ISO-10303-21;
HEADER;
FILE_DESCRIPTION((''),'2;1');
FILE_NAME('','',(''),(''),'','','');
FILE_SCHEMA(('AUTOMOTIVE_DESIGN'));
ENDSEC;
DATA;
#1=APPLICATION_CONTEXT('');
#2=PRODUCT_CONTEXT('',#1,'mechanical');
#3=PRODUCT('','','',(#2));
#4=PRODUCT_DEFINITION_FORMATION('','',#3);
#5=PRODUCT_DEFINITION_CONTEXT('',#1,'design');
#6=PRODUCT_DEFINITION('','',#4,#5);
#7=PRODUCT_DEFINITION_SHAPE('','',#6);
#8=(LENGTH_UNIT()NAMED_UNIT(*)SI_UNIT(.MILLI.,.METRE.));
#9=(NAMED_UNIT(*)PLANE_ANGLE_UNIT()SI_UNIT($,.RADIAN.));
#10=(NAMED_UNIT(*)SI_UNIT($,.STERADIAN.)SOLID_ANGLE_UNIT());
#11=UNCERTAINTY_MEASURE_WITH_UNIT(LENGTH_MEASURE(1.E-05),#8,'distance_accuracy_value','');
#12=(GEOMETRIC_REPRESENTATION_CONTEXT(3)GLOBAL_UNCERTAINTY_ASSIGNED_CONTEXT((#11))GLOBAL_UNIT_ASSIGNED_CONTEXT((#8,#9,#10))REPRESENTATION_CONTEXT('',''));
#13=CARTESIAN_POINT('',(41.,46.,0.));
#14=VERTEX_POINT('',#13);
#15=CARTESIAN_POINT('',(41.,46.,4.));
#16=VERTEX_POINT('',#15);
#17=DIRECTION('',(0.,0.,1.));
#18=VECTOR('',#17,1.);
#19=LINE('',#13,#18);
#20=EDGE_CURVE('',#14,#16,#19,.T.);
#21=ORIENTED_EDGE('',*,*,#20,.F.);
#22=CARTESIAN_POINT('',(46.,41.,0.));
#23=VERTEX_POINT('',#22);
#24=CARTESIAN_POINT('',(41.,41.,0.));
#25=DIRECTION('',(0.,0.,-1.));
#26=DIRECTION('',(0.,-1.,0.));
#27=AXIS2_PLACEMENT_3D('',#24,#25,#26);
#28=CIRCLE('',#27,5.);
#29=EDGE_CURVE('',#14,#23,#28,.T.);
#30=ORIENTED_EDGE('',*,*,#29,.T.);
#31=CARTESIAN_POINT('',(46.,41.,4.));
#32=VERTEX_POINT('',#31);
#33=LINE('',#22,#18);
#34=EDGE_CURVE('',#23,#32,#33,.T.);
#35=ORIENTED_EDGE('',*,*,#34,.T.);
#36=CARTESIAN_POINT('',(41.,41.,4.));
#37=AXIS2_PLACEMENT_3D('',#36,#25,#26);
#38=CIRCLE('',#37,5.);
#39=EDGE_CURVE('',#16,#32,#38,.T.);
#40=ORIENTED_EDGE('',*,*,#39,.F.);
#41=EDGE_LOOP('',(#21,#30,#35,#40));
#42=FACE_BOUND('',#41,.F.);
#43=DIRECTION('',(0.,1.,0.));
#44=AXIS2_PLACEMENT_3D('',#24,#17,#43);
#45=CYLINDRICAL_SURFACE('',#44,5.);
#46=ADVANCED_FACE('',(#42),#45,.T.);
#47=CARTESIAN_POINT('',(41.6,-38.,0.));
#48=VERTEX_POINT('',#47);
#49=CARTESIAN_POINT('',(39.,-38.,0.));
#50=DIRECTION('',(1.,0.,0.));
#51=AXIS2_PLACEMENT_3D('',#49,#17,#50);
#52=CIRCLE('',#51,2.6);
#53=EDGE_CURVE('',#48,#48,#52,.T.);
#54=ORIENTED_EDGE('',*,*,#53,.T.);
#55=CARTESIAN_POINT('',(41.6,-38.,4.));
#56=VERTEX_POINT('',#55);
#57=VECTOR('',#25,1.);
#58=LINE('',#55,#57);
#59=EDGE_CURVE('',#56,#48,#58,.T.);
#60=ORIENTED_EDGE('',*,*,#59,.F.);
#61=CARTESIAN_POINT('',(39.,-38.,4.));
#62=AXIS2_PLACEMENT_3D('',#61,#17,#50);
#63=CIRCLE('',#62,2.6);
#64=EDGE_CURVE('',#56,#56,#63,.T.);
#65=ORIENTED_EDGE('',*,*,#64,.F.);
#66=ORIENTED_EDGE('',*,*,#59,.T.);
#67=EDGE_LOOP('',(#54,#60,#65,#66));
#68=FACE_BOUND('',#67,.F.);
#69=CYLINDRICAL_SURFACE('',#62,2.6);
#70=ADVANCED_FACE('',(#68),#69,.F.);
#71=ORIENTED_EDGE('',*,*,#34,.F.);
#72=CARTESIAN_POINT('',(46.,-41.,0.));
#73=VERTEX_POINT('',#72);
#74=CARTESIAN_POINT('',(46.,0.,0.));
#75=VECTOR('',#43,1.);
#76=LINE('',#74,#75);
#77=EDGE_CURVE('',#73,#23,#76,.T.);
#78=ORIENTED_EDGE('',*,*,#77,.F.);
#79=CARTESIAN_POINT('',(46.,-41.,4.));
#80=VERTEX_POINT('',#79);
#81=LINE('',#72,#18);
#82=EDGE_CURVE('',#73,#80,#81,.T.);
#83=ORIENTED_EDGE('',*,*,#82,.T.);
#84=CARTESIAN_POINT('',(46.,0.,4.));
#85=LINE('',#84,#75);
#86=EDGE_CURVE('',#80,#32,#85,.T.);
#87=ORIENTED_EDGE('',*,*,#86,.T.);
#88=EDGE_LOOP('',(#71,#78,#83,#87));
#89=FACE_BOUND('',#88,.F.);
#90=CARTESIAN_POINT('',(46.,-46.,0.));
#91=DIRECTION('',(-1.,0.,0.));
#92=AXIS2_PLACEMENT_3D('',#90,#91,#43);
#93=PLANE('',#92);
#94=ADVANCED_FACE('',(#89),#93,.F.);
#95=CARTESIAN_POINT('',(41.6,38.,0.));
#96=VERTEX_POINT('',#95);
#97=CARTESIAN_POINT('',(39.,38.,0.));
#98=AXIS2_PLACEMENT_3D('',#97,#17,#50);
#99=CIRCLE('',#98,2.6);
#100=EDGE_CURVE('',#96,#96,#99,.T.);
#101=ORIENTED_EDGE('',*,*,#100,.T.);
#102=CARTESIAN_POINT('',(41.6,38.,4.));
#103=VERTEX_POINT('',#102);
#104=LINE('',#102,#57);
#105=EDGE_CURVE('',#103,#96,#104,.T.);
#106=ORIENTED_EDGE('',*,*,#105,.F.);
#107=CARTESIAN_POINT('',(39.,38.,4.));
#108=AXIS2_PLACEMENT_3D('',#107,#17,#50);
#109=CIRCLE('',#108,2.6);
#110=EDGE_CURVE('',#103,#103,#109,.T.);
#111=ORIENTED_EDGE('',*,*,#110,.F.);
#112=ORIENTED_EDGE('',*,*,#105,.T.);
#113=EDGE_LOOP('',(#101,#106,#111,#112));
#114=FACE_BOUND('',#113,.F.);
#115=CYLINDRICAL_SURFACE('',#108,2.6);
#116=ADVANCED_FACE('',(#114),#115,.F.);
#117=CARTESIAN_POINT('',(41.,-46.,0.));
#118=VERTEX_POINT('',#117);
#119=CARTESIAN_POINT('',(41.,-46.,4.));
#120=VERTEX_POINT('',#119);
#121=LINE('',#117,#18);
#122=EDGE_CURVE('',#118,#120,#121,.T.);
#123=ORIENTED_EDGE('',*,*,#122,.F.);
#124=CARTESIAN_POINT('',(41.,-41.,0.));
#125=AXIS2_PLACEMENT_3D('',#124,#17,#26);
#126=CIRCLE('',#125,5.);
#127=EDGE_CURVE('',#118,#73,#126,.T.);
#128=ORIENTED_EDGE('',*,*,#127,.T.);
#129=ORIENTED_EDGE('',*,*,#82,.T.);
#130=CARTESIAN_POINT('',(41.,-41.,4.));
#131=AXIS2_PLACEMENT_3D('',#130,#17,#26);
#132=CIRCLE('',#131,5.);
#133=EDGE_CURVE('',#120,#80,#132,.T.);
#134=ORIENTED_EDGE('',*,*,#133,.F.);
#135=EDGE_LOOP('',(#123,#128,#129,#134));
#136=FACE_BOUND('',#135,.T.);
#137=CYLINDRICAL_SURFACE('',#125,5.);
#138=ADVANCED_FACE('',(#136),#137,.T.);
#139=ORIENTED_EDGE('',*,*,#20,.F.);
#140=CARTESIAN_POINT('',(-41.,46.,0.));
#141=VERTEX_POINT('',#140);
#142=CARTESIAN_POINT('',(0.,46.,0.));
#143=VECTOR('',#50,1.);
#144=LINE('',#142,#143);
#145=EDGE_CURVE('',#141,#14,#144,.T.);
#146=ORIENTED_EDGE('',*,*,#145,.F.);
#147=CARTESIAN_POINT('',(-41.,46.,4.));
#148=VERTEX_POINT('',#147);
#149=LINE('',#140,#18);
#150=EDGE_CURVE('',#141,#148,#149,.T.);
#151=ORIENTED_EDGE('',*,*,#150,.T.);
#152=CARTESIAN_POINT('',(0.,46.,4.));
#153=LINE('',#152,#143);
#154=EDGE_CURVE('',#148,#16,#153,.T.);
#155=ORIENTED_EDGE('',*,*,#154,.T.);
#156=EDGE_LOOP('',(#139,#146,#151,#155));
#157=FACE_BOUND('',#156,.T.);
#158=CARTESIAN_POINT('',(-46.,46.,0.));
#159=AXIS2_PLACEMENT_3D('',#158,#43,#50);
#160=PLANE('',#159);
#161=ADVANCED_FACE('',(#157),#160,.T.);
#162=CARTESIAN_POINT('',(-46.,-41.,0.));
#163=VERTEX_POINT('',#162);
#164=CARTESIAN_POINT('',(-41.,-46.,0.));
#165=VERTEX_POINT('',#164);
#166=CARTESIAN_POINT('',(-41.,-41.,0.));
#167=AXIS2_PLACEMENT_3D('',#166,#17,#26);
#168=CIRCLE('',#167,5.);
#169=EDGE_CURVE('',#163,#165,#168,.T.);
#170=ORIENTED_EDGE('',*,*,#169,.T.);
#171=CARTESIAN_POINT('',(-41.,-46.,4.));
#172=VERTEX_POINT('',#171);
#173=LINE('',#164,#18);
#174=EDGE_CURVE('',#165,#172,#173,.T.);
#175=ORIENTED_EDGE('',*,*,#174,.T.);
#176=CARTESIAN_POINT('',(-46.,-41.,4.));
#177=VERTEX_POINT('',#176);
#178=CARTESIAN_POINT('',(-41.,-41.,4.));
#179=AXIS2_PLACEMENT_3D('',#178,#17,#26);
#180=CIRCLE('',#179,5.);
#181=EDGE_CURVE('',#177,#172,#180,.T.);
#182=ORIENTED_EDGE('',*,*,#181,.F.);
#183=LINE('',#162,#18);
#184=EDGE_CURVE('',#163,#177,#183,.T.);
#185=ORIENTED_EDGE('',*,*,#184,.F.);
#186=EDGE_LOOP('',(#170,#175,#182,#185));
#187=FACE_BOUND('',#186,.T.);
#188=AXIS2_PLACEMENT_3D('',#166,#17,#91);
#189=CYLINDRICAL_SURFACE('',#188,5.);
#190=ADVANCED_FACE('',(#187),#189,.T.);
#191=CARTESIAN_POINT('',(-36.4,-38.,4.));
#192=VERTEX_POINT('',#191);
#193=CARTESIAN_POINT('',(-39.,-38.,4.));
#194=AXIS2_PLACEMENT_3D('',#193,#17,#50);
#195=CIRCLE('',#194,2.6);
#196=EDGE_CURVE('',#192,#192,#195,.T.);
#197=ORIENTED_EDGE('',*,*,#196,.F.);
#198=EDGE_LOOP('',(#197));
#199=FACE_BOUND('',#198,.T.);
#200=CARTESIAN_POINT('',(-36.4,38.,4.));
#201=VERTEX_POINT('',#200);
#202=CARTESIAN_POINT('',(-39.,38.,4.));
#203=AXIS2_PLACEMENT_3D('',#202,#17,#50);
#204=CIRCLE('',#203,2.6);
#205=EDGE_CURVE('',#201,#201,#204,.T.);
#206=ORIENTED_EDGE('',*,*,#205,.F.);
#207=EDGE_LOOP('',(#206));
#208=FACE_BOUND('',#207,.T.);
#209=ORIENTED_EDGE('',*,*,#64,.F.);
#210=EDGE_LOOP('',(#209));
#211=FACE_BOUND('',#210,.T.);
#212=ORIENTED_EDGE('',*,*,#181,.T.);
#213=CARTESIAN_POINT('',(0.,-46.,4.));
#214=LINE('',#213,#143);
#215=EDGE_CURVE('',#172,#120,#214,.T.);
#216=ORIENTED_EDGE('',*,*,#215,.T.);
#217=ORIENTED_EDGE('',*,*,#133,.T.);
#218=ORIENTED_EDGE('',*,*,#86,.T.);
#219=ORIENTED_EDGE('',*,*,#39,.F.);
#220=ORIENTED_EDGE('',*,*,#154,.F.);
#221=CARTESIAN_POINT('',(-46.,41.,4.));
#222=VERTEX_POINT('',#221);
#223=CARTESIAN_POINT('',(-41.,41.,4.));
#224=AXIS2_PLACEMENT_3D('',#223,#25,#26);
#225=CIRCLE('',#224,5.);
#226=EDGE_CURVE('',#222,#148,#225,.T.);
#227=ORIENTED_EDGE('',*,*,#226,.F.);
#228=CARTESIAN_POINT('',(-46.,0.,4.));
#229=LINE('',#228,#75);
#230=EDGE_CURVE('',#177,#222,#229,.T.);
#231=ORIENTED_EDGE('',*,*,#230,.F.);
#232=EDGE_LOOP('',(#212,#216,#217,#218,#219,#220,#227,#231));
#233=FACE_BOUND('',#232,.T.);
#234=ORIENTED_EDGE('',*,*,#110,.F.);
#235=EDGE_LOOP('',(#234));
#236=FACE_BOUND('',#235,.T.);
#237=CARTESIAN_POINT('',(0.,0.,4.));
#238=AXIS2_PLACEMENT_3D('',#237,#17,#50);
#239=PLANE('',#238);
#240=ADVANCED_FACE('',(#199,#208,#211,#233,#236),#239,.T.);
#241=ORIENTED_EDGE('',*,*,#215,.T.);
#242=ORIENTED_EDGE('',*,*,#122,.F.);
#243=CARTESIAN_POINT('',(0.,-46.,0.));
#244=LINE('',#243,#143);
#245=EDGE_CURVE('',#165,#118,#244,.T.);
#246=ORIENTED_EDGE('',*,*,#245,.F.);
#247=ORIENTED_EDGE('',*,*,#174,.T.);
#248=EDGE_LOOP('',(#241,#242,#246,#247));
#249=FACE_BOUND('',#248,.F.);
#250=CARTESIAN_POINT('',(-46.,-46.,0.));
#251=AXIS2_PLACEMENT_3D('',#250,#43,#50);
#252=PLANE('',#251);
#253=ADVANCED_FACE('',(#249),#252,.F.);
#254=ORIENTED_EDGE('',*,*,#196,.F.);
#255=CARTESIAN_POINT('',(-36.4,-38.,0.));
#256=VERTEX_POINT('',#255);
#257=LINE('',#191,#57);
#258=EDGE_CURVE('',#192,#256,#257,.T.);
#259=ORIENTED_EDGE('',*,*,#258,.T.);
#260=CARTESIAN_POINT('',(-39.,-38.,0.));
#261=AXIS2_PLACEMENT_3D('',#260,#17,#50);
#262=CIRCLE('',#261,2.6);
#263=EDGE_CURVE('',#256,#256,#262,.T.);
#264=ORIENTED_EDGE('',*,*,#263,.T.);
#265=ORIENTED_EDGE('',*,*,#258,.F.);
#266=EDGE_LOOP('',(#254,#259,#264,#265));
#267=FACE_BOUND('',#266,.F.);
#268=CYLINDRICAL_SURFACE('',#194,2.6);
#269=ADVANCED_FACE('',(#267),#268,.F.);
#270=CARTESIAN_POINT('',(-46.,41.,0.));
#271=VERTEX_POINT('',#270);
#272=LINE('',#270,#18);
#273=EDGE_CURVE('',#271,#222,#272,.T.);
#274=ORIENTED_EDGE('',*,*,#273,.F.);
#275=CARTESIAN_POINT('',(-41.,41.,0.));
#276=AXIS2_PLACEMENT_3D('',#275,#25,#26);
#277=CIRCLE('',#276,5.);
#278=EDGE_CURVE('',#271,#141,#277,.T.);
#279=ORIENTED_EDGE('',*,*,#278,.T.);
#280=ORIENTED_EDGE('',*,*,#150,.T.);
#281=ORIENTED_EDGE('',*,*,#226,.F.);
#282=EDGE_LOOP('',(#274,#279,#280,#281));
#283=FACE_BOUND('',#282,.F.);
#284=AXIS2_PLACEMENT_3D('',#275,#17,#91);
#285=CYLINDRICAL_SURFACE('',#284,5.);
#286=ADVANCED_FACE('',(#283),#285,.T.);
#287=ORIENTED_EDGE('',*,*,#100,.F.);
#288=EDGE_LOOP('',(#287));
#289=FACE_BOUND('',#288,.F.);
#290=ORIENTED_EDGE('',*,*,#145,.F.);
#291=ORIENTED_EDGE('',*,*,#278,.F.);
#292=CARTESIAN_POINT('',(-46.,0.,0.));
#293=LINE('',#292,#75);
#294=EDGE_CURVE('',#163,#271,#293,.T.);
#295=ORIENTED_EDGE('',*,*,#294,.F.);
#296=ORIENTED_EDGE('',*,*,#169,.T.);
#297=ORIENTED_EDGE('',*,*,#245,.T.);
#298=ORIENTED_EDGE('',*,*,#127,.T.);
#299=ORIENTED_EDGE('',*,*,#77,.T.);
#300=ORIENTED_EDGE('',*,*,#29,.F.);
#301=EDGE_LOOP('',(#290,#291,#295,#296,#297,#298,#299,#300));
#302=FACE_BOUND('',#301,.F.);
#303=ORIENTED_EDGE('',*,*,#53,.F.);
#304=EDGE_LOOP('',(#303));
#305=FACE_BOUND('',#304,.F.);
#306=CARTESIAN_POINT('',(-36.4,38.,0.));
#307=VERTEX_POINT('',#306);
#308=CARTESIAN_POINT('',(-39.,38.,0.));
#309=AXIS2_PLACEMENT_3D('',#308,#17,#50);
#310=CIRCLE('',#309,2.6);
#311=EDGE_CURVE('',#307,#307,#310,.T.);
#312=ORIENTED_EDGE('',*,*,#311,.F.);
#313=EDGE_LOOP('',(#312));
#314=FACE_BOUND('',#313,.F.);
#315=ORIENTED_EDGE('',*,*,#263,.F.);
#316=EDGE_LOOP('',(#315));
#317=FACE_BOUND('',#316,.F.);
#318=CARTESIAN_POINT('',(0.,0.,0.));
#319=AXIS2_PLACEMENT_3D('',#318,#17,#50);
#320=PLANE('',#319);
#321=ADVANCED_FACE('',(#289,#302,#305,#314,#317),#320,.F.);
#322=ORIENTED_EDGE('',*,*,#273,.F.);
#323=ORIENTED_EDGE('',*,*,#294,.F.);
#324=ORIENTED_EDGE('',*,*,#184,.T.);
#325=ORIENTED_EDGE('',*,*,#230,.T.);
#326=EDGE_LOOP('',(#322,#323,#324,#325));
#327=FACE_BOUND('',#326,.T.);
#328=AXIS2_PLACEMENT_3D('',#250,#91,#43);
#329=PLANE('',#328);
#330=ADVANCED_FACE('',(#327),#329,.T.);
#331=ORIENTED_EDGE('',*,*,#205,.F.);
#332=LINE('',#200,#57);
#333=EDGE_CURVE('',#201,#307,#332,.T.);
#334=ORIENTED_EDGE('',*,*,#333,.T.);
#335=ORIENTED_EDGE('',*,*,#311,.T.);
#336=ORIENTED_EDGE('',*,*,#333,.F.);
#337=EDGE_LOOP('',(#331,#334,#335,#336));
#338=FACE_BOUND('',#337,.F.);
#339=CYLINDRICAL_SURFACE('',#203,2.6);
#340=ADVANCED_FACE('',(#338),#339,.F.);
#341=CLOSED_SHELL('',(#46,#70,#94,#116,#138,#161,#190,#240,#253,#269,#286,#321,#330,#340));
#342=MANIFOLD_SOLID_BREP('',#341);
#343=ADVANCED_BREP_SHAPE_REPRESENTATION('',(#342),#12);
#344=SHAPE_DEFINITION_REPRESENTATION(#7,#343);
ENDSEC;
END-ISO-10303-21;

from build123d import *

# Parameters (mm, degrees)
SKETCH036_W     = 92
SKETCH036_H     = 92
PAD022_DEPTH    = 4
SKETCH037_R     = 2.6
POCKET012_DEPTH = 4.001
FILLET001_R     = 5


with BuildPart() as part:
    # Sketch036 → Pad022 (new body)
    with BuildSketch(Plane.XY):
        Rectangle(SKETCH036_W, SKETCH036_H)
    extrude(amount=PAD022_DEPTH)

    # Sketch037 (on Face6 of Pad022) → Pocket012 (cut, through all)
    with BuildSketch(Plane.XY.offset(4)):
        with Locations((-39, 38)):
            Circle(SKETCH037_R)
        with Locations((-39, -38)):
            Circle(SKETCH037_R)
        with Locations((39, -38)):
            Circle(SKETCH037_R)
        with Locations((39, 38)):
            Circle(SKETCH037_R)
    extrude(amount=-POCKET012_DEPTH, mode=Mode.SUBTRACT)

    # Fillet001
    fillet001_edges = [part.edges().sort_by_distance(p)[0] for p in [
        (46, -46, 2),
        (-46, -46, 2),
        (-46, 46, 2),
        (46, 46, 2),
    ]]
    fillet(fillet001_edges, radius=FILLET001_R)


solid = part.part
